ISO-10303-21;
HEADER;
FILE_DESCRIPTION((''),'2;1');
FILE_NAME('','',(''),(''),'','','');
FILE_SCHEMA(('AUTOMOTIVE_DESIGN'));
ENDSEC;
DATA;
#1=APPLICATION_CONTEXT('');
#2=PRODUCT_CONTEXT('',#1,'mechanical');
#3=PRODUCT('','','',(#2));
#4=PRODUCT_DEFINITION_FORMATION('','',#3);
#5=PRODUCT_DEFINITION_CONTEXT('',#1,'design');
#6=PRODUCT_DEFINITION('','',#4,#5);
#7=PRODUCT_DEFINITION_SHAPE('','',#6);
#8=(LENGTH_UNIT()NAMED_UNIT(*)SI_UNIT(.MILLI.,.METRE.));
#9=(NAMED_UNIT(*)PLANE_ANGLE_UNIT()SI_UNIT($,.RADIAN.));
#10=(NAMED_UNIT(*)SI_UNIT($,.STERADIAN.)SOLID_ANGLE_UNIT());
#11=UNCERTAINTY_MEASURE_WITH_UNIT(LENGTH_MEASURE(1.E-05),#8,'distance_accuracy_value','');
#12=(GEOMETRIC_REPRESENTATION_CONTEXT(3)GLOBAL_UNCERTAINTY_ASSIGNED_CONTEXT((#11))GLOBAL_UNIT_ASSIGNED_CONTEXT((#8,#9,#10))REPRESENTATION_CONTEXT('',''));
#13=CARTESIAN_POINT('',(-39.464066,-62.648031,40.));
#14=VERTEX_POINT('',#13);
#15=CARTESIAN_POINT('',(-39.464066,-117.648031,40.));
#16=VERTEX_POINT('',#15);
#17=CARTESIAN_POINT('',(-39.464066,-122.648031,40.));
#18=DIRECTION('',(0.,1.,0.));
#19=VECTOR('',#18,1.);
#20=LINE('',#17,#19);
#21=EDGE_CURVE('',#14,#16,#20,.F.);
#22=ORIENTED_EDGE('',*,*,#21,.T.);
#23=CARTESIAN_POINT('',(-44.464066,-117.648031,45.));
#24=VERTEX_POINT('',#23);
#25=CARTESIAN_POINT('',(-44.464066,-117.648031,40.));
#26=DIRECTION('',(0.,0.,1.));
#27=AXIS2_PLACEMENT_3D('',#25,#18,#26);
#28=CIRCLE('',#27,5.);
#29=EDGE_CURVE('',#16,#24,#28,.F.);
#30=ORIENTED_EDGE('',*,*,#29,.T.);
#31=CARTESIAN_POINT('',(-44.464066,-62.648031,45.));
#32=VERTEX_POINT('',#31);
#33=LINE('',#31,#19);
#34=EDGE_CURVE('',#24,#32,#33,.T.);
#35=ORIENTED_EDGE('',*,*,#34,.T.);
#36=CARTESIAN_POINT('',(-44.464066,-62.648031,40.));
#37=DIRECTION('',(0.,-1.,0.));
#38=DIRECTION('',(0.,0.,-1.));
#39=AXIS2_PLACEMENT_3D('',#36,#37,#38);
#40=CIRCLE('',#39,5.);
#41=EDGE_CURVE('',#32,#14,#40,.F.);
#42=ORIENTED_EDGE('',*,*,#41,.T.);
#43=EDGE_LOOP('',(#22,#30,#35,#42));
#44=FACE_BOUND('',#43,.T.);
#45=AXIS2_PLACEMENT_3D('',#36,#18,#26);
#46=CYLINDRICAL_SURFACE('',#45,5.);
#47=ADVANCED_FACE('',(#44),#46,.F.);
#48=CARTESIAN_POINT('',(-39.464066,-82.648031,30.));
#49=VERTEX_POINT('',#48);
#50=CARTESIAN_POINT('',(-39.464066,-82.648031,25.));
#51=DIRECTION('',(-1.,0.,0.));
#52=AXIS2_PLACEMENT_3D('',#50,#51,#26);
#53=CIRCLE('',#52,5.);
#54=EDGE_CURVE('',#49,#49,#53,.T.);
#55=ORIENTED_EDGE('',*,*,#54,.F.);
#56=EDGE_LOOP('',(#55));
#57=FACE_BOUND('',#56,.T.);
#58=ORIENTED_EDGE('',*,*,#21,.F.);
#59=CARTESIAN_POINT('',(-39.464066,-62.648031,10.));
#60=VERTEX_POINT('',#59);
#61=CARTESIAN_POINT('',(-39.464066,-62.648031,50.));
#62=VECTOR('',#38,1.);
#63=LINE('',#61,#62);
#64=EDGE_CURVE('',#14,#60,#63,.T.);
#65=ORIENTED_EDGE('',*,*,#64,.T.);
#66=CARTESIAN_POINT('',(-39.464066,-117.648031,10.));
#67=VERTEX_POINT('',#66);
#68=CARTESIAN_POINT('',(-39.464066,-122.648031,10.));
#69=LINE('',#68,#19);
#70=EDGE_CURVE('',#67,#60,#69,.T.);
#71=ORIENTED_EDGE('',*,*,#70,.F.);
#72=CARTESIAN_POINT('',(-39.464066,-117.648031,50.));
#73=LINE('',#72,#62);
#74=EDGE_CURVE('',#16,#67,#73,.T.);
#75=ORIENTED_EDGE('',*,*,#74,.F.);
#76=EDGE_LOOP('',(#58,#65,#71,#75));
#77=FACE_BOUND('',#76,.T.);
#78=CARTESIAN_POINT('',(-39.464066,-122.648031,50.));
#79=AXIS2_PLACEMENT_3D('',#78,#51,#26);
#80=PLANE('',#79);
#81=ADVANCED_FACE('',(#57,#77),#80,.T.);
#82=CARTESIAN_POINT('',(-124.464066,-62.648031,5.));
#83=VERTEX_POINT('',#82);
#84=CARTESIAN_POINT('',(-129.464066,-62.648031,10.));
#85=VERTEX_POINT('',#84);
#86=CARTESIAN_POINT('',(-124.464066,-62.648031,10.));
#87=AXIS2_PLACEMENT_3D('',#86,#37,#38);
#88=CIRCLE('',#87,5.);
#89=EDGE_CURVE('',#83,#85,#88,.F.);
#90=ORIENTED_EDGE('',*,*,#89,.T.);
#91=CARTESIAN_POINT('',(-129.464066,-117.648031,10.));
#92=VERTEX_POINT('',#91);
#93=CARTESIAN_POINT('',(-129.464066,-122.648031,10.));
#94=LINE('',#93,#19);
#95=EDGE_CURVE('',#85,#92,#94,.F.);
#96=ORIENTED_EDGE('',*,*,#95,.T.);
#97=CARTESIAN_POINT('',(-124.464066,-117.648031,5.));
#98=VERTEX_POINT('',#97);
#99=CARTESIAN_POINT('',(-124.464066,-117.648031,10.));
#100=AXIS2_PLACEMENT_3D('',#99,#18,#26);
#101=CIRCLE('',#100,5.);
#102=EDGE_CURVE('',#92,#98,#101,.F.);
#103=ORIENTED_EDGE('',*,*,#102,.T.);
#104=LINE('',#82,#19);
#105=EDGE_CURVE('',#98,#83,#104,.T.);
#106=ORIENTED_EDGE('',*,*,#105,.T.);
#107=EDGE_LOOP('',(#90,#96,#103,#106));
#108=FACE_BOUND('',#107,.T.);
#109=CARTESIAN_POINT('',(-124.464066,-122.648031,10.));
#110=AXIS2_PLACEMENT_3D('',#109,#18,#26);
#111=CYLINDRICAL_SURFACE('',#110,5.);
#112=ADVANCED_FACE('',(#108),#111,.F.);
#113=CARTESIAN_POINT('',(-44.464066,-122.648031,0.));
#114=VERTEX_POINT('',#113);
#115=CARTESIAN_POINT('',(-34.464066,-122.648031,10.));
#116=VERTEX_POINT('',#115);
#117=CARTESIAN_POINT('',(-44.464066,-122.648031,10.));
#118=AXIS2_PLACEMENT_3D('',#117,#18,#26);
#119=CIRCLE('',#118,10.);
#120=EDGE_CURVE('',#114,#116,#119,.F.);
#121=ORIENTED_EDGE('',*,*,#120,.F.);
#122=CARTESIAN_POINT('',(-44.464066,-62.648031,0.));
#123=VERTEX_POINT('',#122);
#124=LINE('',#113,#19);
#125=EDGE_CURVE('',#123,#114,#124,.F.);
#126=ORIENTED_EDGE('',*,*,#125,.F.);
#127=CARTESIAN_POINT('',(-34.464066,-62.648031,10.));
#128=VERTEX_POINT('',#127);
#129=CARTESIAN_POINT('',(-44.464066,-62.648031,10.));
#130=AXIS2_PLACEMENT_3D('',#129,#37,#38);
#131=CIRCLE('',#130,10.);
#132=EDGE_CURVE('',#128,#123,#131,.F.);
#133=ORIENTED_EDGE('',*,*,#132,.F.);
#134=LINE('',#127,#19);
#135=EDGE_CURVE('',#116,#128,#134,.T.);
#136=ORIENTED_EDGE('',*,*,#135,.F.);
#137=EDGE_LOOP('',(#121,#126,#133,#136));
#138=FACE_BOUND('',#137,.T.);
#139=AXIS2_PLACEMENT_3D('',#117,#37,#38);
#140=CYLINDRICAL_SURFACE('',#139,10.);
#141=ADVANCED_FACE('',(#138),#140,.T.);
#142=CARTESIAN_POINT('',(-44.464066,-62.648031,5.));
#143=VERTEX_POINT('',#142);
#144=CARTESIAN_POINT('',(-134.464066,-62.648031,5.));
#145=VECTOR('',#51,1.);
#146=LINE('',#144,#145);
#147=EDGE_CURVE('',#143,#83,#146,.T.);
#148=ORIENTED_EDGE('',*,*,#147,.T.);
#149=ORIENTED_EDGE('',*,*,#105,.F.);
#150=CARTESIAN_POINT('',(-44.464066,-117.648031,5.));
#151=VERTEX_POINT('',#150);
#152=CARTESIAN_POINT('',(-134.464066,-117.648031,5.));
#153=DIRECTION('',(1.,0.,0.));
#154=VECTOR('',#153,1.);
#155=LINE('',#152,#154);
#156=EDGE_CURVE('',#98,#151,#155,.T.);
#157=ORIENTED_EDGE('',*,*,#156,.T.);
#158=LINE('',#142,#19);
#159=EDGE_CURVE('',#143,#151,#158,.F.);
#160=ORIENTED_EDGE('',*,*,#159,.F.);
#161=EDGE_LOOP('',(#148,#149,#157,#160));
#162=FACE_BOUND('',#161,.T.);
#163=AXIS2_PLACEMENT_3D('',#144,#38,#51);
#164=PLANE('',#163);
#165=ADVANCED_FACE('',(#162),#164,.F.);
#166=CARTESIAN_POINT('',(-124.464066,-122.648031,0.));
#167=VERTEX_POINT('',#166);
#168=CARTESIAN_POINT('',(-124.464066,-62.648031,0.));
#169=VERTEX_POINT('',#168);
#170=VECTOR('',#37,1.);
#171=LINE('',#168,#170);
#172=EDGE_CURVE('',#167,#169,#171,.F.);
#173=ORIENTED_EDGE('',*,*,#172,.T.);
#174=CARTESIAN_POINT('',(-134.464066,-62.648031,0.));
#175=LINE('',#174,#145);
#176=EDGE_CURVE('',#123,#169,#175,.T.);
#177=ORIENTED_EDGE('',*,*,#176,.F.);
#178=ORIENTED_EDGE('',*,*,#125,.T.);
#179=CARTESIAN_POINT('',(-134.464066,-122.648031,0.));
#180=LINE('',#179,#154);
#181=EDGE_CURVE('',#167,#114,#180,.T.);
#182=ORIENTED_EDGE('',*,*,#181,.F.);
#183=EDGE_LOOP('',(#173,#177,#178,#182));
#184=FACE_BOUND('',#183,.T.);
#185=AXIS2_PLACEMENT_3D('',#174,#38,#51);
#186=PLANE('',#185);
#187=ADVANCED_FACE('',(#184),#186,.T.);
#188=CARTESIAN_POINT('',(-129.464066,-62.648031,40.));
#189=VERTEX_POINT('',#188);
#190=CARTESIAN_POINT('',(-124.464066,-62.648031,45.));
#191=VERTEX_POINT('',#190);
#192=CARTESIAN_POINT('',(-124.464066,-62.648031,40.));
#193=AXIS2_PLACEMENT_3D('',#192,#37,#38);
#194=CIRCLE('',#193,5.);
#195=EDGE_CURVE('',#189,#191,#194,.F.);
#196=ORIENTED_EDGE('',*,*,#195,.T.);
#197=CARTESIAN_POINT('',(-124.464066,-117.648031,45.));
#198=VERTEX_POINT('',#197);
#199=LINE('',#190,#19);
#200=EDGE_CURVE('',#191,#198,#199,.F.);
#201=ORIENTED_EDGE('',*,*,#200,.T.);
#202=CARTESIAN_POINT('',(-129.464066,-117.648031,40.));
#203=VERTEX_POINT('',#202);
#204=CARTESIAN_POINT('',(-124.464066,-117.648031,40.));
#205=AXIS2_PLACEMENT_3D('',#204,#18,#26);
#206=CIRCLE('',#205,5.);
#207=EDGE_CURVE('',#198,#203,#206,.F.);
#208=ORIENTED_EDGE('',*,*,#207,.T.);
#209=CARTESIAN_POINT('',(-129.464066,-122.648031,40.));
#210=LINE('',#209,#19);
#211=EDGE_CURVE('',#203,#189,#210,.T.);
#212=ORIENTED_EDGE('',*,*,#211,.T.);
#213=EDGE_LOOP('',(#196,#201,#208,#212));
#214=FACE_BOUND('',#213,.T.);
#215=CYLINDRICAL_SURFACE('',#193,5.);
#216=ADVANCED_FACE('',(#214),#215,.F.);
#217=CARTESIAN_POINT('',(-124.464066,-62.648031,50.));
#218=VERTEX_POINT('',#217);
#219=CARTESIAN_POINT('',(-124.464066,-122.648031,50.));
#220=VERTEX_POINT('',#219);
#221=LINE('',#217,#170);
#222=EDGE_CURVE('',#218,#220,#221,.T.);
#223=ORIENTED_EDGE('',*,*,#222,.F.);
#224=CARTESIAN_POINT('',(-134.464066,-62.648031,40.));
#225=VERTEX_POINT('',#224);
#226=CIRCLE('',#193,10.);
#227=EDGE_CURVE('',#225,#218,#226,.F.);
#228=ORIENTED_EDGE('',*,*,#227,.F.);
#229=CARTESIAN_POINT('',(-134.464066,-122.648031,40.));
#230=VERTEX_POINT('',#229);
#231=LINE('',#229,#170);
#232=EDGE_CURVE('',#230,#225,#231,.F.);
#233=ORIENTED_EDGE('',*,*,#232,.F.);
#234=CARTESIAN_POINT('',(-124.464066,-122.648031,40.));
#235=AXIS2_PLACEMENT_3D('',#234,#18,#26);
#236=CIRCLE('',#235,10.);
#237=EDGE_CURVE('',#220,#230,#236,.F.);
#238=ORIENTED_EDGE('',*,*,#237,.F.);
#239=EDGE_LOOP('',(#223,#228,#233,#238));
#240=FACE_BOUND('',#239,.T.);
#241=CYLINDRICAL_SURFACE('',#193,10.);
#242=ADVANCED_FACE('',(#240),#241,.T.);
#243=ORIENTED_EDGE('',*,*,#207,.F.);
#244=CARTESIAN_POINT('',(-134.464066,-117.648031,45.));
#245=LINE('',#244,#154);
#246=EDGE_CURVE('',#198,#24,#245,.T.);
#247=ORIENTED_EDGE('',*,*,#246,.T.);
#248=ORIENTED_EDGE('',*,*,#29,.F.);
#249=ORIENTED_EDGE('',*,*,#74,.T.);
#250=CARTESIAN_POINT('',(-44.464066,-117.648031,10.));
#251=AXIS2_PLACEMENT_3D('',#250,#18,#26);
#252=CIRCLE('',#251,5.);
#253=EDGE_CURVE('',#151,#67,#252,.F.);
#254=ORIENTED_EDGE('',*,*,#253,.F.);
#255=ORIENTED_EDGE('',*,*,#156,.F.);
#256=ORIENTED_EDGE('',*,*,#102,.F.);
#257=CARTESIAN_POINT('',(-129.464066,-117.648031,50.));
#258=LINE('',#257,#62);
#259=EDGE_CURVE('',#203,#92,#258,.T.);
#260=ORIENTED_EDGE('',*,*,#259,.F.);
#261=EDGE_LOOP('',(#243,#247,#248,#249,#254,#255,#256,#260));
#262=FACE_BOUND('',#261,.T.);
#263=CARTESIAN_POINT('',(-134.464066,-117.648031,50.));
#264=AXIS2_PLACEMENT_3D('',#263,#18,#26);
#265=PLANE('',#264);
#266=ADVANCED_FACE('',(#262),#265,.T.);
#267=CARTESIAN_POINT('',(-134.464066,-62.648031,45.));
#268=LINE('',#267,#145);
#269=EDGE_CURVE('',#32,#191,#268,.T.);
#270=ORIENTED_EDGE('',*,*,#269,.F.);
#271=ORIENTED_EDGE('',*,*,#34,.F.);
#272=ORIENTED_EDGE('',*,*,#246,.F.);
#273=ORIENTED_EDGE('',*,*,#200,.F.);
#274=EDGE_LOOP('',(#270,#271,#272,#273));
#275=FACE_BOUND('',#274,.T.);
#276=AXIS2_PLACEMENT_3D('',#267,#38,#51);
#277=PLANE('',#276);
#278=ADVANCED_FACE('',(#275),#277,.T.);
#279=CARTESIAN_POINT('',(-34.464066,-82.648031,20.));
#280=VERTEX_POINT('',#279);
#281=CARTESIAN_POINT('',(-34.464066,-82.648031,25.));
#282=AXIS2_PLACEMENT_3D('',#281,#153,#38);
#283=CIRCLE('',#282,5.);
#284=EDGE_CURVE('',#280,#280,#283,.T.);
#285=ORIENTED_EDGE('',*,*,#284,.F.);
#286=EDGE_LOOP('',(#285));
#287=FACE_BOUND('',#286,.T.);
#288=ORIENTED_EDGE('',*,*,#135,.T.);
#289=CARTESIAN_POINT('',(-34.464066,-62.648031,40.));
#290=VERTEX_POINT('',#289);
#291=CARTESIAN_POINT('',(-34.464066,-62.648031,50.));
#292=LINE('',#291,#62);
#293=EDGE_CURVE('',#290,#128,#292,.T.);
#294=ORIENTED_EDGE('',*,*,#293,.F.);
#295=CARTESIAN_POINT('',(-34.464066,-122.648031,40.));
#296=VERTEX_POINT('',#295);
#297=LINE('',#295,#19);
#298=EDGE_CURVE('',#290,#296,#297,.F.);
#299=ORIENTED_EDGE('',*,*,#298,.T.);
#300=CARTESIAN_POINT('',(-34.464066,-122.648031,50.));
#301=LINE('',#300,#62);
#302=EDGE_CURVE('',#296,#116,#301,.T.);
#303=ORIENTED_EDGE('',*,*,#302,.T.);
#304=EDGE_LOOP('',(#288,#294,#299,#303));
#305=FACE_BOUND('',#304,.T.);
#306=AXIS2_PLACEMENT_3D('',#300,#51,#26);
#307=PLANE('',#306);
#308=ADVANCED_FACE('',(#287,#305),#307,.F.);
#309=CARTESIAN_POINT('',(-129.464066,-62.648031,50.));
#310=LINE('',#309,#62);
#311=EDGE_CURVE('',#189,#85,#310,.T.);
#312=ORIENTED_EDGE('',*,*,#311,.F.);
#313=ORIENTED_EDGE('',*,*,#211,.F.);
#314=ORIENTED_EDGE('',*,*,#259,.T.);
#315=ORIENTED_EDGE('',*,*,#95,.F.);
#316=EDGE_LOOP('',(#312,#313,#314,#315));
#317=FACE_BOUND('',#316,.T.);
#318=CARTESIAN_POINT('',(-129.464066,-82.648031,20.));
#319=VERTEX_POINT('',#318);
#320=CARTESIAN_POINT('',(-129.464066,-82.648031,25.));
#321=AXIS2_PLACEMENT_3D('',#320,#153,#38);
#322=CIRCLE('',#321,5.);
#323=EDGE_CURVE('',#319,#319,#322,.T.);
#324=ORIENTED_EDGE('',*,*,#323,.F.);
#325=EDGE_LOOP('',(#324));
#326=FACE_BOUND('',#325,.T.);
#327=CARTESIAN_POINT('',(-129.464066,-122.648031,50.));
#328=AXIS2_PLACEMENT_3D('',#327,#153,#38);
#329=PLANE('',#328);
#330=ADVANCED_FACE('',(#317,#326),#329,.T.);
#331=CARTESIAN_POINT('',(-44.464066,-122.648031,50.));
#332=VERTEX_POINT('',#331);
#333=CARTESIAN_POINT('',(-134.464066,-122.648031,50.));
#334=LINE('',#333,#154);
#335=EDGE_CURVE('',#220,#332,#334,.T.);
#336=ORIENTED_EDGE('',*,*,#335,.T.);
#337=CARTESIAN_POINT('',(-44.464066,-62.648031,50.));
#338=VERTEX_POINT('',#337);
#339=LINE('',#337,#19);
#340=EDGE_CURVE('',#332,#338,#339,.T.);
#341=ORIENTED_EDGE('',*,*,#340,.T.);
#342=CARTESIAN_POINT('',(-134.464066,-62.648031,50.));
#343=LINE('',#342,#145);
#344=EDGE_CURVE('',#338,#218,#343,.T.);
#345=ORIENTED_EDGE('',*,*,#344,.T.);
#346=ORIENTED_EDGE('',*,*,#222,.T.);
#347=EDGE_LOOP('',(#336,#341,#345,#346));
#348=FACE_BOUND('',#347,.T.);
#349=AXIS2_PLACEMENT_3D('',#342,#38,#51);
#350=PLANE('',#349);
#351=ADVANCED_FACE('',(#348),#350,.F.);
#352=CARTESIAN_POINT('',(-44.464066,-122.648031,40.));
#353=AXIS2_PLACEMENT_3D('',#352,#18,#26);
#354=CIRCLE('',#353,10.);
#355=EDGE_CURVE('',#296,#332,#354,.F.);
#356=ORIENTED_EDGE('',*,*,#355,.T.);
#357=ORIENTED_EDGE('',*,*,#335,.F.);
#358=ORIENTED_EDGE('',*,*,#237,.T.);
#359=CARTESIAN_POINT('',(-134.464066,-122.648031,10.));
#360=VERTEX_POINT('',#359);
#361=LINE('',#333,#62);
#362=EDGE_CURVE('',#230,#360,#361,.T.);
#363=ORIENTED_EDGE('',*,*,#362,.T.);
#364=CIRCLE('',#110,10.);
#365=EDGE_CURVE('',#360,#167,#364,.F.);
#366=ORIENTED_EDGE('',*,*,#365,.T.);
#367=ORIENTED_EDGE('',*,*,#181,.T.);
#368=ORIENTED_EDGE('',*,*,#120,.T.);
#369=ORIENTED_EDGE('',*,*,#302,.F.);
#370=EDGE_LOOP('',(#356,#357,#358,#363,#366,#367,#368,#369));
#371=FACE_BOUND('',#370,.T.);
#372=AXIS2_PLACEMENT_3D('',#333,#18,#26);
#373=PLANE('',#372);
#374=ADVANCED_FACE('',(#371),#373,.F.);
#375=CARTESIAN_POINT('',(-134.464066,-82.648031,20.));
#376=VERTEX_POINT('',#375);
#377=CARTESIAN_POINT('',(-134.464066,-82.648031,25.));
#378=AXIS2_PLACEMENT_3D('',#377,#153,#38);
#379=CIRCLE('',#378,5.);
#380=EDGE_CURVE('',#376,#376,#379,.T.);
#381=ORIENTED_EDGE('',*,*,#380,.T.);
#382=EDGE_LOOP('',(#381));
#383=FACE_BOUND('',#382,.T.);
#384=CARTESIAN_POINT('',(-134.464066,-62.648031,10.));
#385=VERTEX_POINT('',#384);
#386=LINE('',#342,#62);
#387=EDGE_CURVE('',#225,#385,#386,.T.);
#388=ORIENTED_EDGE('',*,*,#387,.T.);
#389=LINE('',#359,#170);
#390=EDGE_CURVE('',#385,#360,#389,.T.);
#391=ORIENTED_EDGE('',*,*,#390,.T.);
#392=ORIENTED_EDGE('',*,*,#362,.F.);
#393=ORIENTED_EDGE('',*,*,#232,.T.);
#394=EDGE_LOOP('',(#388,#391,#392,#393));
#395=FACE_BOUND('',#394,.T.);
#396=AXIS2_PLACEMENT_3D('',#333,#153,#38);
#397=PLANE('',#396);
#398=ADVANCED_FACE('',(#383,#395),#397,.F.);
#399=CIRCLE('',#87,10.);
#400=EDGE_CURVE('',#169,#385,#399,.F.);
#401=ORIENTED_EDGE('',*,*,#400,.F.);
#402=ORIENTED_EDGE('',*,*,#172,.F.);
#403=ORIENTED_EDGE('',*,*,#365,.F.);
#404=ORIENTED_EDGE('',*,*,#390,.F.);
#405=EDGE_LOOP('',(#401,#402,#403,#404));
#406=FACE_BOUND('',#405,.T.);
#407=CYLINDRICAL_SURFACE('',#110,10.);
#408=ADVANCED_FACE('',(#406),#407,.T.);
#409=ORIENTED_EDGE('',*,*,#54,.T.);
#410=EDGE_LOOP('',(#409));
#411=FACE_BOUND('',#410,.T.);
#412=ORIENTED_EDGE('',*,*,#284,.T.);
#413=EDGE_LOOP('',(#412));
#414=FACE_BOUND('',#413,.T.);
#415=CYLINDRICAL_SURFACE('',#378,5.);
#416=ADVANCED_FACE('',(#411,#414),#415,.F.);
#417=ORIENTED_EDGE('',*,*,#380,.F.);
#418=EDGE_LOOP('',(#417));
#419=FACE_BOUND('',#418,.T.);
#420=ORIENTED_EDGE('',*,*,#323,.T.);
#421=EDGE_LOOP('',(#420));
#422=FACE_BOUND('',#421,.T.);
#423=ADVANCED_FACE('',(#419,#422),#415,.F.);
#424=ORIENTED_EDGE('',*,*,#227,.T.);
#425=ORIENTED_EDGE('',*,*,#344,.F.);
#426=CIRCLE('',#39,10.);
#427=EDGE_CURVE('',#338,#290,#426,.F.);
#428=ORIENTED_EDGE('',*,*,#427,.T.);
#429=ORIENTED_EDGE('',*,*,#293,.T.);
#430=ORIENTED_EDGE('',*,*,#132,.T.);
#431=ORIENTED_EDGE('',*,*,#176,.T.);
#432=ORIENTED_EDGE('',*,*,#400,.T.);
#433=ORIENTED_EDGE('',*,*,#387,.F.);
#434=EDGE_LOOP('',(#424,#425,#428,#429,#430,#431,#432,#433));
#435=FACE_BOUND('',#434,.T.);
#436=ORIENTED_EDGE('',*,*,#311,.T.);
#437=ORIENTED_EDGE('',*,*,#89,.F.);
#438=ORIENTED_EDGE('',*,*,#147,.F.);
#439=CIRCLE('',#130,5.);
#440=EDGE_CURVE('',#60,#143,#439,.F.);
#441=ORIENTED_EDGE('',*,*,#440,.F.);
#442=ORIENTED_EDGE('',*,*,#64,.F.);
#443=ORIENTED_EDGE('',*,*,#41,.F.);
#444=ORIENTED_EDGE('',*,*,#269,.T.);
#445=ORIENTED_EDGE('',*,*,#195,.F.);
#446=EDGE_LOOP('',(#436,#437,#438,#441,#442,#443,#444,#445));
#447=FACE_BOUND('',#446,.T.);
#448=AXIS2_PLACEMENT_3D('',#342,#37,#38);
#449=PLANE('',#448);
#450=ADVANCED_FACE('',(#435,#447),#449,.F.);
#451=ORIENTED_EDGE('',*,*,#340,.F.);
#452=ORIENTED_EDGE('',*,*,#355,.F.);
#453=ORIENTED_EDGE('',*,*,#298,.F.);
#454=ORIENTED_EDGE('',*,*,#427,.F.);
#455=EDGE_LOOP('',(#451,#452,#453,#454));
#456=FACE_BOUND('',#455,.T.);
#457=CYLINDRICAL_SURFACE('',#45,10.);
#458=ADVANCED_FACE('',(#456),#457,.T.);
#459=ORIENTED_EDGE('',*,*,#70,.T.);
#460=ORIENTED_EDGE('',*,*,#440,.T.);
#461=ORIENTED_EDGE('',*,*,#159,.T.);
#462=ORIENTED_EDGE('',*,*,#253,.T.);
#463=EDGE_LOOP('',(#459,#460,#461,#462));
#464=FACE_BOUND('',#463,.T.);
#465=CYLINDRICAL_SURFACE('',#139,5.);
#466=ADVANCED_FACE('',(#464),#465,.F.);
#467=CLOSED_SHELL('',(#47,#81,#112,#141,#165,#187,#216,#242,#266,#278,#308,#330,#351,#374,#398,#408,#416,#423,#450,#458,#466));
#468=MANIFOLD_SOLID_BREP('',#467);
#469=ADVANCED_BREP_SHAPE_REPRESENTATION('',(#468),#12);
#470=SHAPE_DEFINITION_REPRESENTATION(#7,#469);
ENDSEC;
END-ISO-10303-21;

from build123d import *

# Parameters (mm, degrees)
SKETCH1_W           = 100
SKETCH1_H           = 60
BOSS_EXTRUDE1_DEPTH = 50
FILLET1_R           = 10
SHELL1_T            = -5
SKETCH3_R           = 5
CUT_EXTRUDE1_DEPTH  = 101


with BuildPart() as part:
    # Sketch1 → Boss-Extrude1 (new body)
    with BuildSketch(Plane.XY):
        with Locations((-84.464065936, -92.64803072)):
            Rectangle(SKETCH1_W, SKETCH1_H)
    extrude(amount=BOSS_EXTRUDE1_DEPTH)

    # Fillet1
    fillet1_edges = [part.edges().sort_by_distance(p)[0] for p in [
        (-34.464065936, -92.64803072, 50),
        (-134.464065936, -92.64803072, 50),
        (-34.464065936, -92.64803072, 0),
        (-134.464065936, -92.64803072, 0),
    ]]
    fillet(fillet1_edges, radius=FILLET1_R)

    # Shell1
    shell1_openings = [part.faces().sort_by_distance(p)[0] for p in [
        (-84.464065936, -62.64803072, 25),
    ]]
    offset(amount=SHELL1_T, openings=shell1_openings, kind=Kind.INTERSECTION)

    # Sketch3 → Cut-Extrude1 (cut, through all)
    with BuildSketch(Plane(origin=(-34.464065936, 0, 0), x_dir=(0, 0, -1), z_dir=(1, 0, 0))):
        with Locations((-25, -82.64803072)):
            Circle(SKETCH3_R)
    extrude(amount=-CUT_EXTRUDE1_DEPTH, mode=Mode.SUBTRACT)


solid = part.part
